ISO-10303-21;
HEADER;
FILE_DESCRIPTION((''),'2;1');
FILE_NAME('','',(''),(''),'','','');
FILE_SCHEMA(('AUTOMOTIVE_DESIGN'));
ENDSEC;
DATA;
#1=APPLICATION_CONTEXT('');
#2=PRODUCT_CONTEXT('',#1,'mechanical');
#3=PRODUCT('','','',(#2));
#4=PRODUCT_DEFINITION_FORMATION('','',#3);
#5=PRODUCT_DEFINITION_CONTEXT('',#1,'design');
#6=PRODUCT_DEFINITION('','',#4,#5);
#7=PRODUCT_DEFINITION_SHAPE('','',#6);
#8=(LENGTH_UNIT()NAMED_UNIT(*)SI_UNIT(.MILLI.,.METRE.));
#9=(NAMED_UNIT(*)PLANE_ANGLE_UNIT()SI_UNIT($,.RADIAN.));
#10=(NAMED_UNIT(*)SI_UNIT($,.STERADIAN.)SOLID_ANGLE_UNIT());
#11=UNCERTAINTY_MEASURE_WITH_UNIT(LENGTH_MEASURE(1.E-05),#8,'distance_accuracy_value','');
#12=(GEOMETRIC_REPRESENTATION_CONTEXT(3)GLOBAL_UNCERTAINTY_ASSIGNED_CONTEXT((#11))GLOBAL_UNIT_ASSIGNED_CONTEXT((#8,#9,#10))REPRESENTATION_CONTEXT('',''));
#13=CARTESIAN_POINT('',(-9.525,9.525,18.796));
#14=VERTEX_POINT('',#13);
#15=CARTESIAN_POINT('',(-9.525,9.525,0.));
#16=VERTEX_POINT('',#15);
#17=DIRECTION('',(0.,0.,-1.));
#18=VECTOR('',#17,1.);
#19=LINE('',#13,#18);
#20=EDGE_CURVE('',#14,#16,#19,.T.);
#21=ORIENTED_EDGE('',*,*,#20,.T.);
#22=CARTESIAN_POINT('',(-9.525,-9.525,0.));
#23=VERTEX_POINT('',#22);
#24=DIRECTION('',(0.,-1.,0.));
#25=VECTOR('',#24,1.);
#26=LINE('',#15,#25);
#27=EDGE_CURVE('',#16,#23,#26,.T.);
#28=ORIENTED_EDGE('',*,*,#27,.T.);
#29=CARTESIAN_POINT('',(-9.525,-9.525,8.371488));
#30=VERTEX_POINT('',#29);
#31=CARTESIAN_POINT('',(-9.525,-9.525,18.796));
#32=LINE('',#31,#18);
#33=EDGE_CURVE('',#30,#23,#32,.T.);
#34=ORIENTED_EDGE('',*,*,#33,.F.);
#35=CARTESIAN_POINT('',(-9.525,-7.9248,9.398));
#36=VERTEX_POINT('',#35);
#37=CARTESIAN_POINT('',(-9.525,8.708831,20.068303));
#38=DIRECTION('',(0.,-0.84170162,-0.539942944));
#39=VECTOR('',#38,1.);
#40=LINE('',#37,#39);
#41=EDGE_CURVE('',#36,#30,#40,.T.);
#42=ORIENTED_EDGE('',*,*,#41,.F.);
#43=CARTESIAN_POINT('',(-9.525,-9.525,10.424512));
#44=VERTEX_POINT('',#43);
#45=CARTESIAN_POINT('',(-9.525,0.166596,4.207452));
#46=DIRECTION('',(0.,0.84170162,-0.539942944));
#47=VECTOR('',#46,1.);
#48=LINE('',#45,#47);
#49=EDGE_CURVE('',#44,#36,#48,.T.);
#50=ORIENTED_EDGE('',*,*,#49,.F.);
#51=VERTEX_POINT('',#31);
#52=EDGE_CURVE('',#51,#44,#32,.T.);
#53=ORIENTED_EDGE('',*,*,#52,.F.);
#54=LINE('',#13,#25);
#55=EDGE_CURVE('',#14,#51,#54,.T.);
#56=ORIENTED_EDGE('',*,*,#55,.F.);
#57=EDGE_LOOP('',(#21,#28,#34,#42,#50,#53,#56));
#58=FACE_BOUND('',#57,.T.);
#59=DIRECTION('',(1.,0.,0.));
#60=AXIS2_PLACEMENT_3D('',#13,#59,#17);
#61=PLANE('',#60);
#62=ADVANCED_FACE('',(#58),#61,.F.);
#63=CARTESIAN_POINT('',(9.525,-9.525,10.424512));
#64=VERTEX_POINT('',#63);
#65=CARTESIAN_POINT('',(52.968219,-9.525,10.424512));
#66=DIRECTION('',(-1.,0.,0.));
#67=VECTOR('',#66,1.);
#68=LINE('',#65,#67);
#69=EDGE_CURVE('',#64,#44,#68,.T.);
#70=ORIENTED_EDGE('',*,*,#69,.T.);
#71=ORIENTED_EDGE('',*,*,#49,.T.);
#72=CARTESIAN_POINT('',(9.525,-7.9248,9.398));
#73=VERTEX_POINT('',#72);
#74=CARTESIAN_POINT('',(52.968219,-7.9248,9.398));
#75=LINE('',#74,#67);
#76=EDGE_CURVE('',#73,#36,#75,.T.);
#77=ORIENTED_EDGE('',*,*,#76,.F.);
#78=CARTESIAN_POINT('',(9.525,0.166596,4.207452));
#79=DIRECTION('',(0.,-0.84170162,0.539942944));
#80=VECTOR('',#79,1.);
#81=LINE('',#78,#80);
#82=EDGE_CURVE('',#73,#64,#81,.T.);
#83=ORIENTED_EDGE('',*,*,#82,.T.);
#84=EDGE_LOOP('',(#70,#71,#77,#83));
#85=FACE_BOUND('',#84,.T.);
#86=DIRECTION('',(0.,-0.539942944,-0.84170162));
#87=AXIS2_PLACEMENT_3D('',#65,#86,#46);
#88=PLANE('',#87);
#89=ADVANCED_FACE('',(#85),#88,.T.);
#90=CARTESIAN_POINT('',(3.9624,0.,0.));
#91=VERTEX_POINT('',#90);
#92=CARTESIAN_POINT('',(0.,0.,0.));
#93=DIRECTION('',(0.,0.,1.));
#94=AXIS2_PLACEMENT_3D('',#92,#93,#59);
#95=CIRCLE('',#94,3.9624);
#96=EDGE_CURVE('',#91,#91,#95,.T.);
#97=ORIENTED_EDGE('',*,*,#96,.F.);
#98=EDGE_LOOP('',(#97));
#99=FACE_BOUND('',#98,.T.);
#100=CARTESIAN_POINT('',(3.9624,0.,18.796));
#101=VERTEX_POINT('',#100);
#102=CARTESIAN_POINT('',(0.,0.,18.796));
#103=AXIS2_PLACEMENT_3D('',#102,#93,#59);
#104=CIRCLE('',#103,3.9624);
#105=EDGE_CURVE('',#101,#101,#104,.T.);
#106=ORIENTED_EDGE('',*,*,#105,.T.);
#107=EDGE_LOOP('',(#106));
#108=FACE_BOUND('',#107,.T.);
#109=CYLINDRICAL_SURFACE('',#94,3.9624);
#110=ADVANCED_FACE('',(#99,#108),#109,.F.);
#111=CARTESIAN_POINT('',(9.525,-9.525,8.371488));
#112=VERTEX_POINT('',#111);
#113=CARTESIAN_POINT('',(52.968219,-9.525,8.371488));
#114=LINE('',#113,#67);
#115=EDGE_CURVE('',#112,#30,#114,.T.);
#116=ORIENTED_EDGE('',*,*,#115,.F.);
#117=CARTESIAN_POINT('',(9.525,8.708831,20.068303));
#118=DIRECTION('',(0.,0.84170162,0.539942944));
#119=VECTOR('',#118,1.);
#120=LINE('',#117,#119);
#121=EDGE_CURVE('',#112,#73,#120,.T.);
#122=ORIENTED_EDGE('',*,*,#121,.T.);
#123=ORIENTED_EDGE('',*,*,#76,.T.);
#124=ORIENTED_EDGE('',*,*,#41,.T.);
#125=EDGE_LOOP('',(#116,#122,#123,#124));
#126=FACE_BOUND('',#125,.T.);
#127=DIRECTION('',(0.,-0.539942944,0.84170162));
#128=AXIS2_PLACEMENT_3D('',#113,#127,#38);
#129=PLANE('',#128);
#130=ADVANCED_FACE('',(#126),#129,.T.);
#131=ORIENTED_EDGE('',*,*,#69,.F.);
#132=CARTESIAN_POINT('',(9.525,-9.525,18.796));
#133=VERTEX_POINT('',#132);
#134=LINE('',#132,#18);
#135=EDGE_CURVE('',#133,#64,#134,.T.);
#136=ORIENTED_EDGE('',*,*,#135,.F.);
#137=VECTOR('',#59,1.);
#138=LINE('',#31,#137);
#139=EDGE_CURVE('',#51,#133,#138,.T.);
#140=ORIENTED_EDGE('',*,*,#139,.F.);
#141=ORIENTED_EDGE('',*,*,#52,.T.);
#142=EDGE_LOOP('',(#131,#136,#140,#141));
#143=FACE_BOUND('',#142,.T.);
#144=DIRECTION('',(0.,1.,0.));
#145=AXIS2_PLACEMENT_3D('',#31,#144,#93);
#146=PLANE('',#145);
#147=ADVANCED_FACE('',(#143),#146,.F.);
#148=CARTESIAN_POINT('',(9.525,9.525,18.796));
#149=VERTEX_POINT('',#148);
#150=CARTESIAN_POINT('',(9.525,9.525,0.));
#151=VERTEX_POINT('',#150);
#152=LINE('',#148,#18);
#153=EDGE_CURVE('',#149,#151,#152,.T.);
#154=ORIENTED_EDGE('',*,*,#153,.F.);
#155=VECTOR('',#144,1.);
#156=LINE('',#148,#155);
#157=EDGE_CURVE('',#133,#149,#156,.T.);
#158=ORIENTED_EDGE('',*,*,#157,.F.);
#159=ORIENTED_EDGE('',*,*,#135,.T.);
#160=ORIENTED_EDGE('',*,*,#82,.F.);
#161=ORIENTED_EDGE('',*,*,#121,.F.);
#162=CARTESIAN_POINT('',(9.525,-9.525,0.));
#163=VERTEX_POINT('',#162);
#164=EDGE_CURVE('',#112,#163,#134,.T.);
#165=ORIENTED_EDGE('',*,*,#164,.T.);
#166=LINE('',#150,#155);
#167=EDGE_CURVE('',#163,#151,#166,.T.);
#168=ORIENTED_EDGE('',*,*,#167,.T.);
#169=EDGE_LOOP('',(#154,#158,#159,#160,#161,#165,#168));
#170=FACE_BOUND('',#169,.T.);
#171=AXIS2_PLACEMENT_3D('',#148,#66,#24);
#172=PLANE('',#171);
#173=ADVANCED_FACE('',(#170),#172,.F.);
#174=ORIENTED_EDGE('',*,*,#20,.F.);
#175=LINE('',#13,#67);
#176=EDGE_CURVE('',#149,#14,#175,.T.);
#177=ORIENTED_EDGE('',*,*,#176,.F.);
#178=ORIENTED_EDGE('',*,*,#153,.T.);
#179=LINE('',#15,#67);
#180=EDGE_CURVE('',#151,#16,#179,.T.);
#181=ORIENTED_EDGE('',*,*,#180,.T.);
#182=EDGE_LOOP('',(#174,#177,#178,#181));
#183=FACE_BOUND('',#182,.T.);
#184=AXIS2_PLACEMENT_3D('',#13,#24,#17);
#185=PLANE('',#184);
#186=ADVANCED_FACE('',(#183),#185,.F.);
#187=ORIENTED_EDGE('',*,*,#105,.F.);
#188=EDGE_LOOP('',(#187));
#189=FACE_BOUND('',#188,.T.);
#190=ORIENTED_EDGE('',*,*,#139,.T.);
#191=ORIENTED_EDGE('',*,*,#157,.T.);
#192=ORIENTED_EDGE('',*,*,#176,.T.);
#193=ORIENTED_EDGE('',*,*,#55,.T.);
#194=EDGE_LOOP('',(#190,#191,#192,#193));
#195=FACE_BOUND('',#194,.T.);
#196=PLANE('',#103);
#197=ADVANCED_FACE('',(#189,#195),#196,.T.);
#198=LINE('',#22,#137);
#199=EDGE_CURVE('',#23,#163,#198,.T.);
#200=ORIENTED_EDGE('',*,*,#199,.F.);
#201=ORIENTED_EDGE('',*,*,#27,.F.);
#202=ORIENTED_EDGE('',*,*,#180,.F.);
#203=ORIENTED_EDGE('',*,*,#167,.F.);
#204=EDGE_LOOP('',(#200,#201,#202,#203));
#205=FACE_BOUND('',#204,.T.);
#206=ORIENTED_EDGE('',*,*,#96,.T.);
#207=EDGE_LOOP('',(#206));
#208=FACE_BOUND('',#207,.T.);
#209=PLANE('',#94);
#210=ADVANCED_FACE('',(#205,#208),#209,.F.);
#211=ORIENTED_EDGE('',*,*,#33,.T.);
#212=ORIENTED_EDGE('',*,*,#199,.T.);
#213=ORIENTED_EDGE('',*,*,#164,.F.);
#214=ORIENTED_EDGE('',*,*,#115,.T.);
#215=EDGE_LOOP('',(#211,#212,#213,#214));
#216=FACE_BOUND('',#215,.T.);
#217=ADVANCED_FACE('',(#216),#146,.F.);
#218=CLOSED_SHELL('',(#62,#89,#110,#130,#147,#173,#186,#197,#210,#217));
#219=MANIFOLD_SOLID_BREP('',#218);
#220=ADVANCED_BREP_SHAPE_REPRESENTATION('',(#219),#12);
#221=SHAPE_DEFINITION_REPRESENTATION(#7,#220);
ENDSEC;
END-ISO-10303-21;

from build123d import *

# Parameters (mm, degrees)
SKETCH1_W               = 19.05
SKETCH1_H               = 19.05
BOSS_EXTRUDE1_DEPTH     = 18.796
SKETCH2_R               = 3.9624
CUT_EXTRUDE1_DEPTH      = 24.124464664
CUT_EXTRUDE2_DEPTH      = 24.124464664
CUT_EXTRUDE2_DEPTH_BACK = 24.124464664


with BuildPart() as part:
    # Sketch1 → Boss-Extrude1 (new body)
    with BuildSketch(Plane.XY):
        Rectangle(SKETCH1_W, SKETCH1_H)
    extrude(amount=BOSS_EXTRUDE1_DEPTH)

    # Sketch2 → Cut-Extrude1 (cut, through all)
    with BuildSketch(Plane.XY.offset(18.796)):
        Circle(SKETCH2_R)
    extrude(amount=-CUT_EXTRUDE1_DEPTH, mode=Mode.SUBTRACT)

    # Sketch3 → Cut-Extrude2 (cut, two sides: drawn at the far end of the back side and taken through both)
    with BuildSketch(Plane(origin=(0, 0, 0), x_dir=(0, 0, -1), z_dir=(1, 0, 0)).offset(-CUT_EXTRUDE2_DEPTH_BACK)):
        Polygon((-39.274452126, -54.498347151), (-10.424511864, -9.525), (-9.398, -7.9248), (-8.371488136, -9.525), (20.478452126, -54.498347151), (20.478452126, -161.361268824), (-39.274452126, -161.361268824), align=None)
    extrude(amount=CUT_EXTRUDE2_DEPTH + CUT_EXTRUDE2_DEPTH_BACK, mode=Mode.SUBTRACT)


solid = part.part
